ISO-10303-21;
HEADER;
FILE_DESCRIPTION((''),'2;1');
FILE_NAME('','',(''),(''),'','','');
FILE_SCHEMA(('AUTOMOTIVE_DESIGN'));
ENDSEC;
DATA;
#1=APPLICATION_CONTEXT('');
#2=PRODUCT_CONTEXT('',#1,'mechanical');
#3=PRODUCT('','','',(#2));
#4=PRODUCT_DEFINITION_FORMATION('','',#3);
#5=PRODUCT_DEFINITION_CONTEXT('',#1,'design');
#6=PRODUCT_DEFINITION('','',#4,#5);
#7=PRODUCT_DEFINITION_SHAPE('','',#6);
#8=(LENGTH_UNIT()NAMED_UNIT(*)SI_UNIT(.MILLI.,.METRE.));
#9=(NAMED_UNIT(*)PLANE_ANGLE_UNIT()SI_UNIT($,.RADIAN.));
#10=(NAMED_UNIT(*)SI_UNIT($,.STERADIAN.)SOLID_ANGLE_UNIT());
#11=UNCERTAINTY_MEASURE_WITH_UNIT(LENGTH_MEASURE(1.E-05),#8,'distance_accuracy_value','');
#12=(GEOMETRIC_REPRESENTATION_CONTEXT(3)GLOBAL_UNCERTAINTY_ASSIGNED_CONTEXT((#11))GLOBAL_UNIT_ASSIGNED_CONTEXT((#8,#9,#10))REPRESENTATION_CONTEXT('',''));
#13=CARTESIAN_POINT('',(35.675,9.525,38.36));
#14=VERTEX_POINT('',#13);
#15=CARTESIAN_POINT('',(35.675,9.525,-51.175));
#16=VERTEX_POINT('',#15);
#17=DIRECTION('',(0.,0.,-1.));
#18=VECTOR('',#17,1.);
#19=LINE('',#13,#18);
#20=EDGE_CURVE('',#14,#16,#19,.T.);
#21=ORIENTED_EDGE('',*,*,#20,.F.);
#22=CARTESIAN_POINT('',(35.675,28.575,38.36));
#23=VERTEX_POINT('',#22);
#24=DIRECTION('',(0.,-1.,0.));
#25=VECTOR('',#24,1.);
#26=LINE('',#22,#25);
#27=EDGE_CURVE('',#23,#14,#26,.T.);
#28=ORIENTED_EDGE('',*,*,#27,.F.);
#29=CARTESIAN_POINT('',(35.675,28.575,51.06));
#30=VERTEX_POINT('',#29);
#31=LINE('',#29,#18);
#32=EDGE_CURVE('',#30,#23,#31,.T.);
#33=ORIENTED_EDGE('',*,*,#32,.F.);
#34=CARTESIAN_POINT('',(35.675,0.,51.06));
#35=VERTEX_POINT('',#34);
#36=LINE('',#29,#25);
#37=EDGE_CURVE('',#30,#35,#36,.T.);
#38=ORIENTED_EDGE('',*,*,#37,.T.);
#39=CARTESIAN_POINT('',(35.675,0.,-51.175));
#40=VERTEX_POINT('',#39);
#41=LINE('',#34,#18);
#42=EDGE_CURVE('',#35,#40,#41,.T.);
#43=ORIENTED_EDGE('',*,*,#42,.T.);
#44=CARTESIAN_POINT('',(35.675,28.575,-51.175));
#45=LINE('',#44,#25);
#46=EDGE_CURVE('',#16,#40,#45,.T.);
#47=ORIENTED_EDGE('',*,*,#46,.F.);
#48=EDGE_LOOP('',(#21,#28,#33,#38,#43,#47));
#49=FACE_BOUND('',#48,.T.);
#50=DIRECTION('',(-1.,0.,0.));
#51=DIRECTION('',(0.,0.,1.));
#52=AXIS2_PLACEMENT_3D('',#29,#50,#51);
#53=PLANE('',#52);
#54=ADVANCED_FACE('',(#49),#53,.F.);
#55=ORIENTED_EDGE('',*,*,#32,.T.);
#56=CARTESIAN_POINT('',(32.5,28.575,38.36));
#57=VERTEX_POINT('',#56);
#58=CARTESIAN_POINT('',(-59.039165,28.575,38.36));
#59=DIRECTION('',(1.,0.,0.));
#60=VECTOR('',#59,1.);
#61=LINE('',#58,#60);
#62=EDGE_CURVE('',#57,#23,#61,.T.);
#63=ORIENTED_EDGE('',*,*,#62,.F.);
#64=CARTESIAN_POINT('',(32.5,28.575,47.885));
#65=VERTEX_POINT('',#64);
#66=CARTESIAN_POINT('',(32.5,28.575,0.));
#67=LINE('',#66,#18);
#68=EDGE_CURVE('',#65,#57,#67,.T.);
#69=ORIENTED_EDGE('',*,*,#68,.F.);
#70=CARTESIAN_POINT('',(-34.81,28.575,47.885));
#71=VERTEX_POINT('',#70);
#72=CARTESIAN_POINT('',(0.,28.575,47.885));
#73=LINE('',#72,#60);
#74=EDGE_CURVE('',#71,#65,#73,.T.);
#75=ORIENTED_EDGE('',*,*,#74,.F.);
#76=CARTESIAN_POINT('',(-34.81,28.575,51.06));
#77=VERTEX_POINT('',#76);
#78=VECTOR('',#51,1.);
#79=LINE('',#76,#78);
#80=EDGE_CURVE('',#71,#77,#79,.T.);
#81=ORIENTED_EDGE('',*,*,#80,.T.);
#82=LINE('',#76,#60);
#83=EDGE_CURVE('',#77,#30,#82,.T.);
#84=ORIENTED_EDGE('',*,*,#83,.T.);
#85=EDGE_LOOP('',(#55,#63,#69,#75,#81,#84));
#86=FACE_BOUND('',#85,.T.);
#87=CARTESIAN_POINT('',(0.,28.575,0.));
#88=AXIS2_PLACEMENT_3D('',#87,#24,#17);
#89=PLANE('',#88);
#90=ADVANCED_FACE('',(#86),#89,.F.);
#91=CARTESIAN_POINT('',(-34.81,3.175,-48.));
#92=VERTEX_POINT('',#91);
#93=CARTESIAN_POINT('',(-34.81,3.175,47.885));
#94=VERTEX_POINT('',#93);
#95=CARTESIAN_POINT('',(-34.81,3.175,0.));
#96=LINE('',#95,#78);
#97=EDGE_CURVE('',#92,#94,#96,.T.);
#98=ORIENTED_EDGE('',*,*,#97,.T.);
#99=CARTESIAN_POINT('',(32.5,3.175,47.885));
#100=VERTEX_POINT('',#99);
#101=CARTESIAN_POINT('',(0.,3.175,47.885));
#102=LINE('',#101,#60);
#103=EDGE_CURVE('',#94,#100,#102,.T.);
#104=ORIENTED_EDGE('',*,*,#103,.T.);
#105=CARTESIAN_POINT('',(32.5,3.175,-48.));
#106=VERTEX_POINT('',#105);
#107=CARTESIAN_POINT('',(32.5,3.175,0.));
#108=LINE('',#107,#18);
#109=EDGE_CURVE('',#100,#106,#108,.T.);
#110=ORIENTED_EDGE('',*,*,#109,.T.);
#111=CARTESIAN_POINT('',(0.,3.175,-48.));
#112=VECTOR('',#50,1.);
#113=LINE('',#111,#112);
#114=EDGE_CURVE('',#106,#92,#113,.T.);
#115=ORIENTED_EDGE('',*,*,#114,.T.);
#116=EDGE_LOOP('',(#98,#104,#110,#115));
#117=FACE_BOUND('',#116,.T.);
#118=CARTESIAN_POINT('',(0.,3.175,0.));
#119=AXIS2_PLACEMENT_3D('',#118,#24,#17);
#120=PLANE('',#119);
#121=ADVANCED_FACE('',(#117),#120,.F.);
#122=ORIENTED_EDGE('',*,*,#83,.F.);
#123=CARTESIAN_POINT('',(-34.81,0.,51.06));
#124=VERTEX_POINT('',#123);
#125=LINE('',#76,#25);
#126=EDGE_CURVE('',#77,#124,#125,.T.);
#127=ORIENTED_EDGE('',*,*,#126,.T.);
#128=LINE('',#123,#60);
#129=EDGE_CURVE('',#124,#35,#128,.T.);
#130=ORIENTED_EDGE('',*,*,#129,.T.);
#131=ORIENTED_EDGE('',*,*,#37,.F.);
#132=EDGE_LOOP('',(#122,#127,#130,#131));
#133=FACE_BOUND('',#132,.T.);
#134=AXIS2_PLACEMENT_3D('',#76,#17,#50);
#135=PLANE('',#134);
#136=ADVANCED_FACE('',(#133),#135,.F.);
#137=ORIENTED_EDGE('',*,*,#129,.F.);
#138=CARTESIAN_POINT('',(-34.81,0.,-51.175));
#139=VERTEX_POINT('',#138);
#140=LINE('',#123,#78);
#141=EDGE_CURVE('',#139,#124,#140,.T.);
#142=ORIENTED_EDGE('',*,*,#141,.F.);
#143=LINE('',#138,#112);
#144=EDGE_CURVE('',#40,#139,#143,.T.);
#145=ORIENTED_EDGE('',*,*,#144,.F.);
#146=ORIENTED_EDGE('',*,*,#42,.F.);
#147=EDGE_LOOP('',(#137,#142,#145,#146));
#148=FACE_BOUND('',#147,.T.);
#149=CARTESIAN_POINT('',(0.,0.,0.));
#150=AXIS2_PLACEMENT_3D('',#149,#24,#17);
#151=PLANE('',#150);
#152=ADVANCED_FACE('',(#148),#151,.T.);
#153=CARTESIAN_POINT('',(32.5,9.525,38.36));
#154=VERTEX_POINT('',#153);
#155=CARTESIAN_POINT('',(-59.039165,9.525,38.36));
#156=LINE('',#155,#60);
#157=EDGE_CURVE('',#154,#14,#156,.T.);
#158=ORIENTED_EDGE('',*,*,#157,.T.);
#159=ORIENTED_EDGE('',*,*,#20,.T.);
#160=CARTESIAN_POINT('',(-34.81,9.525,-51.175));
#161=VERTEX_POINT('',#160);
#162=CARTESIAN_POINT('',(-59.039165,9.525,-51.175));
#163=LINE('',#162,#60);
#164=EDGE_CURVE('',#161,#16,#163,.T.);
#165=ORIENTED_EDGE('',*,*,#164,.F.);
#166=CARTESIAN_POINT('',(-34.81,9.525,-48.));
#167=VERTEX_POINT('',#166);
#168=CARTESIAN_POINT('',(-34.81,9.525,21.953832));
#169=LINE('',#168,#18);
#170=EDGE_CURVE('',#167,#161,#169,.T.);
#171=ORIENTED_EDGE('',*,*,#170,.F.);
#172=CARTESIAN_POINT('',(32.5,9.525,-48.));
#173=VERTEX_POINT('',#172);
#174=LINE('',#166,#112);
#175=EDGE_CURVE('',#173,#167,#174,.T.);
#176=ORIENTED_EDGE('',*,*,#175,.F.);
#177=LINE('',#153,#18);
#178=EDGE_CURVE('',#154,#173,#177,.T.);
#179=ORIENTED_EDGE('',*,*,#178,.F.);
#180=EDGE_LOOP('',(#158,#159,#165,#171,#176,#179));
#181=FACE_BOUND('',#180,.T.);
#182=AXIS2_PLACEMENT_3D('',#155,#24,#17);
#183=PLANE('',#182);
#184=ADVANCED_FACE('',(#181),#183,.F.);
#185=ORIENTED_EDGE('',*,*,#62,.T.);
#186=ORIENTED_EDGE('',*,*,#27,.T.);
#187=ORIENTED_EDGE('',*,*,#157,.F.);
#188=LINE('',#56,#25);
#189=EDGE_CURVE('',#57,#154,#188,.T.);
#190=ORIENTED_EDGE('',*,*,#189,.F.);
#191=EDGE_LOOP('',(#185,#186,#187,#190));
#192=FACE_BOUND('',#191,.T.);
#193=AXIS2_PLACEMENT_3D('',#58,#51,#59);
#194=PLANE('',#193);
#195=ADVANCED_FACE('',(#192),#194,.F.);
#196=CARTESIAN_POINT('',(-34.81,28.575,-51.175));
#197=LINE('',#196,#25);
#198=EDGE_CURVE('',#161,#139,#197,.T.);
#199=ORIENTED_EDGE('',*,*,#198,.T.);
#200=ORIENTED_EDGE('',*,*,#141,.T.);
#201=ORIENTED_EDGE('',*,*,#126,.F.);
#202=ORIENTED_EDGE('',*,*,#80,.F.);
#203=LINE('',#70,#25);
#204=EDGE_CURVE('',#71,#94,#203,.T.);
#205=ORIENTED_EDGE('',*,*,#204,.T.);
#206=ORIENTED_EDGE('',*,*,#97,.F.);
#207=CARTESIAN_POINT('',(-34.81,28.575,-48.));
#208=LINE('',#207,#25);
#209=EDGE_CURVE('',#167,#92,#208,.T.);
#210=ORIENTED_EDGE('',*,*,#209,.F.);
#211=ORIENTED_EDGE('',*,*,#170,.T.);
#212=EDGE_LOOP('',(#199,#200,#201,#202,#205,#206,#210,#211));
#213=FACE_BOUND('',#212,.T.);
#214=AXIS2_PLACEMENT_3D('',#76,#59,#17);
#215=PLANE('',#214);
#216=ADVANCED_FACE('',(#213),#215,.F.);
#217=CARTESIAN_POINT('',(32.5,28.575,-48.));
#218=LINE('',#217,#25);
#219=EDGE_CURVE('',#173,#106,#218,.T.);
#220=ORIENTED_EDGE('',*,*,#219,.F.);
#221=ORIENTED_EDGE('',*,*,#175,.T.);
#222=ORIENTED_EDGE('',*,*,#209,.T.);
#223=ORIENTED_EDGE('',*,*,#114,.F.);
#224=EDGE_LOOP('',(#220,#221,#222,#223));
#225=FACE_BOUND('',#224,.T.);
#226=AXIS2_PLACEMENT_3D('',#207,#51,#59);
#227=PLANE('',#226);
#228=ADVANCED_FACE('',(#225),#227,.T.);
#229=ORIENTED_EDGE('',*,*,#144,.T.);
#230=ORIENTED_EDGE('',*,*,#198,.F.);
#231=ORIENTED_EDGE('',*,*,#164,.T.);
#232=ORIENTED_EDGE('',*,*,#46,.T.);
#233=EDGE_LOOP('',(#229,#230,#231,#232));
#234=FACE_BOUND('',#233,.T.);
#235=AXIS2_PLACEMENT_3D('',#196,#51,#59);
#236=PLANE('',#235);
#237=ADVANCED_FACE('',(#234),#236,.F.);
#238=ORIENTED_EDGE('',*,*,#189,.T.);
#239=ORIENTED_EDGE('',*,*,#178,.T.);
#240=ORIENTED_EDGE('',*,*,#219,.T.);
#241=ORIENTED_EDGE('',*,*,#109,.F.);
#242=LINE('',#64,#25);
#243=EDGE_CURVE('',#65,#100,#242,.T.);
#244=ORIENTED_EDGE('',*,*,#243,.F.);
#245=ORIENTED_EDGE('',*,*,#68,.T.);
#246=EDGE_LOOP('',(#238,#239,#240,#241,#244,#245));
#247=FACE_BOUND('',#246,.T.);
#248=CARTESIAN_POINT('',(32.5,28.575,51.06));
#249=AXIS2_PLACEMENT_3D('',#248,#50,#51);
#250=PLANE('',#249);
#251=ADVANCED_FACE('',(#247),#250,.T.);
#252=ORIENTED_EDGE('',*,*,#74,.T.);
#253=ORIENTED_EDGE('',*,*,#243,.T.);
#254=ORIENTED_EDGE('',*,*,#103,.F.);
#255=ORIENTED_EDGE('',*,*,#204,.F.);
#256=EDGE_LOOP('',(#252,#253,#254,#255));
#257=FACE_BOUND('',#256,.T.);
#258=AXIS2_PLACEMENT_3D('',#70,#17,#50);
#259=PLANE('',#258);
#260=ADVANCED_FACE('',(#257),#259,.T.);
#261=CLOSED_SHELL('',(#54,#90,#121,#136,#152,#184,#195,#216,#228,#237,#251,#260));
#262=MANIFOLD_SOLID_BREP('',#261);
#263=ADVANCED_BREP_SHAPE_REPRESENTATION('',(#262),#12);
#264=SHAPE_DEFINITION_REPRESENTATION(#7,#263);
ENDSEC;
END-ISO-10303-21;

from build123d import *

# Parameters (mm, degrees)
SKETCH1_W           = 70.485
SKETCH1_H           = 102.235
BOSS_EXTRUDE1_DEPTH = 28.575
SHELL1_T            = -3.175
SKETCH2_W           = 89.535
SKETCH2_H           = 19.05
CUT_EXTRUDE1_DEPTH  = 3.175
SKETCH3_W           = 67.31
SKETCH3_H           = 19.05
CUT_EXTRUDE2_DEPTH  = 3.175


with BuildPart() as part:
    # Sketch1 → Boss-Extrude1 (new body)
    with BuildSketch(Plane(origin=(0, 0, 0), x_dir=(1, 0, 0), z_dir=(0, 1, 0))):
        with Locations((0.4325, 0.0575)):
            Rectangle(SKETCH1_W, SKETCH1_H)
    extrude(amount=BOSS_EXTRUDE1_DEPTH)

    # Shell1
    shell1_openings = [part.faces().sort_by_distance(p)[0] for p in [
        (0.4325, 28.575, -0.0575),
        (-34.81, 14.2875, -0.0575),
    ]]
    offset(amount=SHELL1_T, openings=shell1_openings, kind=Kind.INTERSECTION)

    # Sketch2 → Cut-Extrude1 (cut)
    with BuildSketch(Plane(origin=(35.675, 0, 0), x_dir=(0, 0, -1), z_dir=(1, 0, 0))):
        with Locations((6.4075, 19.05)):
            Rectangle(SKETCH2_W, SKETCH2_H)
    extrude(amount=-CUT_EXTRUDE1_DEPTH, mode=Mode.SUBTRACT)

    # Sketch3 → Cut-Extrude2 (cut)
    with BuildSketch(Plane(origin=(0, 0, -51.175), x_dir=(-1, 0, 0), z_dir=(0, 0, -1))):
        with Locations((1.155, 19.05)):
            Rectangle(SKETCH3_W, SKETCH3_H)
    extrude(amount=-CUT_EXTRUDE2_DEPTH, mode=Mode.SUBTRACT)


solid = part.part
